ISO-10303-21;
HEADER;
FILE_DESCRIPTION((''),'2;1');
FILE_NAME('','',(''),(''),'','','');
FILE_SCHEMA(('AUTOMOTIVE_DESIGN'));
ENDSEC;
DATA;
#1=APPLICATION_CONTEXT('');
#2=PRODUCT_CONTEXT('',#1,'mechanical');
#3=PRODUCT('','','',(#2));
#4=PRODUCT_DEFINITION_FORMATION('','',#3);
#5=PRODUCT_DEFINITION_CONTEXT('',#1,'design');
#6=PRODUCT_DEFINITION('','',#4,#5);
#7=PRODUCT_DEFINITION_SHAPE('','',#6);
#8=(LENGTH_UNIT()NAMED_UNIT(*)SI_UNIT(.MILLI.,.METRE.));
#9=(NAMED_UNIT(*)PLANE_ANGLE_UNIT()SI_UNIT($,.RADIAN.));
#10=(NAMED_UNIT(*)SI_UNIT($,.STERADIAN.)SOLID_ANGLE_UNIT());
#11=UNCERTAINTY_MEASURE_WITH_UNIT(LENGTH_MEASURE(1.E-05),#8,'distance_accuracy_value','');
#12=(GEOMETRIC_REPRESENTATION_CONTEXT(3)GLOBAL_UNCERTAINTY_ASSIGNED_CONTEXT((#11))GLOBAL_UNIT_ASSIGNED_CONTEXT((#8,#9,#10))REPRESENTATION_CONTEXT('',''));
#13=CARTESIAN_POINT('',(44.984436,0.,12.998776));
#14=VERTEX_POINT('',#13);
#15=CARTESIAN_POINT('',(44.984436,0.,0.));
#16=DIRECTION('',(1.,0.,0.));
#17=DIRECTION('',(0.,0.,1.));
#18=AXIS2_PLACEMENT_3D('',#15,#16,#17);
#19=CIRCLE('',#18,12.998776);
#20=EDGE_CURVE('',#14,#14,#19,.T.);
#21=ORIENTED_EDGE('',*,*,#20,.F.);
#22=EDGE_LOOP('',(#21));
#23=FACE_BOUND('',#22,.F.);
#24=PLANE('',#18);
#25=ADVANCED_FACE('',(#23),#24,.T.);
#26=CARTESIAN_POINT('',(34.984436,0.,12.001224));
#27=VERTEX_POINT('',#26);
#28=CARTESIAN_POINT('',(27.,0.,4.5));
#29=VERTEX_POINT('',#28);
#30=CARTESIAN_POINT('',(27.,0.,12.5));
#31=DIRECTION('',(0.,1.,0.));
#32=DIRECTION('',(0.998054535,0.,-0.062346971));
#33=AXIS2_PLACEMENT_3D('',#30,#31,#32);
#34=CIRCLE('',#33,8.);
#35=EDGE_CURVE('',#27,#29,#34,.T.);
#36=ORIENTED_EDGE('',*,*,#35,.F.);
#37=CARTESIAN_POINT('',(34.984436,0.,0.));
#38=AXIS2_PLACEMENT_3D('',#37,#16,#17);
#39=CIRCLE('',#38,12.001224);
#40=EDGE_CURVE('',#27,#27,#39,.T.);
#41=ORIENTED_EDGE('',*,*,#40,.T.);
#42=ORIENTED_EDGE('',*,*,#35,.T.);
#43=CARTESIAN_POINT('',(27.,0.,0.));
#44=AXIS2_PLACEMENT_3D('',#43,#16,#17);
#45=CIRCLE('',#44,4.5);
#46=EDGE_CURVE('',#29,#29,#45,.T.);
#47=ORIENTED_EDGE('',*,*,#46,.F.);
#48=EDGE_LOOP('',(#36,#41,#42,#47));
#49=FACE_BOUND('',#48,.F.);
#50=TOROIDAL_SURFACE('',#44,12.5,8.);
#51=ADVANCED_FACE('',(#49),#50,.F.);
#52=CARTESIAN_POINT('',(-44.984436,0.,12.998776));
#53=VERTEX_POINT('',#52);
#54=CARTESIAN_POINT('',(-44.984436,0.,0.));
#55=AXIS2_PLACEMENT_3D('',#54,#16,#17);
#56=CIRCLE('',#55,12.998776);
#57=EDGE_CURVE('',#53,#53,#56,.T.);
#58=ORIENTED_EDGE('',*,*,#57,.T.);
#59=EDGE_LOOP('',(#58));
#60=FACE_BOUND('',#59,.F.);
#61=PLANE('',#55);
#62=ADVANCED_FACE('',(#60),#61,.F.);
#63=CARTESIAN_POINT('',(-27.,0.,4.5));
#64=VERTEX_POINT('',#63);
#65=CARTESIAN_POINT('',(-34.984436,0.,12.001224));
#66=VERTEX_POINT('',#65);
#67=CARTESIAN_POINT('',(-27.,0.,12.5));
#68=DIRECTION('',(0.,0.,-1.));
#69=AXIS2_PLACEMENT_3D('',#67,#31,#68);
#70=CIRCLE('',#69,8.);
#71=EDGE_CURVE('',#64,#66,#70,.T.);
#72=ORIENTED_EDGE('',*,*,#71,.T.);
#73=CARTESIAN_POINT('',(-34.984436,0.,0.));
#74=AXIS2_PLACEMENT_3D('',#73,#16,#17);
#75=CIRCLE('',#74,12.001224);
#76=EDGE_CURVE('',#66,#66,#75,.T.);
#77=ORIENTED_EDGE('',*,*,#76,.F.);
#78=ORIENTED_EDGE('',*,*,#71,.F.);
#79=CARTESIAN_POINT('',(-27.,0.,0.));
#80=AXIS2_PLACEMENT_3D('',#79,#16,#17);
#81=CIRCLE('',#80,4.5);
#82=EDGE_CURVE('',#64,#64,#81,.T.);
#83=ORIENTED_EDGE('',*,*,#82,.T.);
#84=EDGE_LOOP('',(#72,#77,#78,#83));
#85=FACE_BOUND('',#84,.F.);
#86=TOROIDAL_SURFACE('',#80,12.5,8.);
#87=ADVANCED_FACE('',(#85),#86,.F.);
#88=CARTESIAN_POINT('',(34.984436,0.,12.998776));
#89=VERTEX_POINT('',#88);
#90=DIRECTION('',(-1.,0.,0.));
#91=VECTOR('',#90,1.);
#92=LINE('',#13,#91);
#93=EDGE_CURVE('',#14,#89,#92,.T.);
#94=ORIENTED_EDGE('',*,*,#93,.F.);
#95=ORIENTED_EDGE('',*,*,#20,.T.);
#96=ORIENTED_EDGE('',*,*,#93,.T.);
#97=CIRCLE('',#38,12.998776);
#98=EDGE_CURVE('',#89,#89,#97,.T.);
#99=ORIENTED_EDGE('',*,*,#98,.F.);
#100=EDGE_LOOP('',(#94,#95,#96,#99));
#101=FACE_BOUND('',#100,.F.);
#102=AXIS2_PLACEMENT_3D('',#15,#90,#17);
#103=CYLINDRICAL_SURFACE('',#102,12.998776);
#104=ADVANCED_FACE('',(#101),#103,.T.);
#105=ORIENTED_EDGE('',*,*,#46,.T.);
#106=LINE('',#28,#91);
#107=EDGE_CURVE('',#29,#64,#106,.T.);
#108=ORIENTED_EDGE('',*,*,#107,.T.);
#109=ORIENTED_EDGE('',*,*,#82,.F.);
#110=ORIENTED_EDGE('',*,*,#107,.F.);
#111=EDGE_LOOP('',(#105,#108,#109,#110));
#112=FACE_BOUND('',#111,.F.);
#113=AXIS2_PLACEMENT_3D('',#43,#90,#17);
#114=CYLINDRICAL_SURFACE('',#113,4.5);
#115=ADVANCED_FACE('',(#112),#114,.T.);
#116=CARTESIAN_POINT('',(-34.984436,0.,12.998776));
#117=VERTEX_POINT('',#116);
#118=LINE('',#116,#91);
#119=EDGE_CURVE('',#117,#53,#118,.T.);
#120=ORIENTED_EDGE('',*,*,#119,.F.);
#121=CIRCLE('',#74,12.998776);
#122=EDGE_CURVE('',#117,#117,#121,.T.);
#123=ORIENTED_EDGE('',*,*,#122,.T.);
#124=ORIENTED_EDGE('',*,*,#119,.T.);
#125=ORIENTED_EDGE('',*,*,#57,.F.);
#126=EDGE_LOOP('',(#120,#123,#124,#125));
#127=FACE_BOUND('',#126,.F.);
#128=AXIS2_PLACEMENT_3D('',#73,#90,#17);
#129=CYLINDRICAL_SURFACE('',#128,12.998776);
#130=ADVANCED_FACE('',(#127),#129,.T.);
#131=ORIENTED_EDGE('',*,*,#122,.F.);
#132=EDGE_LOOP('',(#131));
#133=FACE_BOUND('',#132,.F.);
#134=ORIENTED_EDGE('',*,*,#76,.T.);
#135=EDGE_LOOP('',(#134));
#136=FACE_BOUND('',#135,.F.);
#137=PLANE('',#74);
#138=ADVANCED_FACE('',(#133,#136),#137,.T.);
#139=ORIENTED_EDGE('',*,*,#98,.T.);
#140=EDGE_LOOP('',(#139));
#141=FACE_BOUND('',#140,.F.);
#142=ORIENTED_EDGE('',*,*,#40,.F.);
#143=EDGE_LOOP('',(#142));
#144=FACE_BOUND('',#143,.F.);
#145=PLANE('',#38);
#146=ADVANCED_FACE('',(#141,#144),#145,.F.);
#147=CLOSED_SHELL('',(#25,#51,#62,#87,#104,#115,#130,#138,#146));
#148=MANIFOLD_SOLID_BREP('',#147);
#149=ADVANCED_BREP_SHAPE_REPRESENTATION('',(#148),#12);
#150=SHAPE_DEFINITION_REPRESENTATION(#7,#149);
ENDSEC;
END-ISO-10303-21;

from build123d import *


with BuildPart() as f1:
    # F0 (on Front) → F1 (revolve)
    with BuildSketch(Plane.XZ):
        with BuildLine():
            ThreePointArc((34.9844362813, 12.9987757711), (35, 12.5), (34.9844362813, 12.0012242289))
            Line((34.9844362813, 12.0012242289), (34.9844362813, 0))
            Line((34.9844362813, 0), (44.9844362813, 0))
            Line((44.9844362813, 0), (44.9844362813, 12.9987757711))
            Line((44.9844362813, 12.9987757711), (34.9844362813, 12.9987757711))
        make_face()
        with BuildLine():
            Line((27, 4.5), (0, 4.5))
            Line((0, 4.5), (-27, 4.5))
            ThreePointArc((-27, 4.5), (-32.477672582, 6.6694680273), (-34.9844362813, 12.0012242289))
            Line((-34.9844362813, 12.0012242289), (-34.9844362813, 0))
            Line((-34.9844362813, 0), (34.9844362813, 0))
            Line((34.9844362813, 0), (34.9844362813, 12.0012242289))
            ThreePointArc((34.9844362813, 12.0012242289), (32.477672582, 6.6694680273), (27, 4.5))
        make_face()
        with BuildLine():
            Line((-34.9844362813, 0), (-34.9844362813, 12.0012242289))
            ThreePointArc((-34.9844362813, 12.0012242289), (-35, 12.5), (-34.9844362813, 12.9987757711))
            Line((-34.9844362813, 12.9987757711), (-44.9844362813, 12.9987757711))
            Line((-44.9844362813, 12.9987757711), (-44.9844362813, 0))
            Line((-44.9844362813, 0), (-34.9844362813, 0))
        make_face()
        with BuildLine():
            ThreePointArc((-34.9844362813, 12.9987757711), (-35, 12.5), (-34.9844362813, 12.0012242289))
            Line((-34.9844362813, 12.0012242289), (-34.9844362813, 12.9987757711))
        make_face()
        with BuildLine():
            Line((34.9844362813, 12.9987757711), (34.9844362813, 12.0012242289))
            ThreePointArc((34.9844362813, 12.0012242289), (35, 12.5), (34.9844362813, 12.9987757711))
        make_face()
    revolve(axis=Axis((0, 0, 0), (1, 0, 0)))


solid = f1.part
